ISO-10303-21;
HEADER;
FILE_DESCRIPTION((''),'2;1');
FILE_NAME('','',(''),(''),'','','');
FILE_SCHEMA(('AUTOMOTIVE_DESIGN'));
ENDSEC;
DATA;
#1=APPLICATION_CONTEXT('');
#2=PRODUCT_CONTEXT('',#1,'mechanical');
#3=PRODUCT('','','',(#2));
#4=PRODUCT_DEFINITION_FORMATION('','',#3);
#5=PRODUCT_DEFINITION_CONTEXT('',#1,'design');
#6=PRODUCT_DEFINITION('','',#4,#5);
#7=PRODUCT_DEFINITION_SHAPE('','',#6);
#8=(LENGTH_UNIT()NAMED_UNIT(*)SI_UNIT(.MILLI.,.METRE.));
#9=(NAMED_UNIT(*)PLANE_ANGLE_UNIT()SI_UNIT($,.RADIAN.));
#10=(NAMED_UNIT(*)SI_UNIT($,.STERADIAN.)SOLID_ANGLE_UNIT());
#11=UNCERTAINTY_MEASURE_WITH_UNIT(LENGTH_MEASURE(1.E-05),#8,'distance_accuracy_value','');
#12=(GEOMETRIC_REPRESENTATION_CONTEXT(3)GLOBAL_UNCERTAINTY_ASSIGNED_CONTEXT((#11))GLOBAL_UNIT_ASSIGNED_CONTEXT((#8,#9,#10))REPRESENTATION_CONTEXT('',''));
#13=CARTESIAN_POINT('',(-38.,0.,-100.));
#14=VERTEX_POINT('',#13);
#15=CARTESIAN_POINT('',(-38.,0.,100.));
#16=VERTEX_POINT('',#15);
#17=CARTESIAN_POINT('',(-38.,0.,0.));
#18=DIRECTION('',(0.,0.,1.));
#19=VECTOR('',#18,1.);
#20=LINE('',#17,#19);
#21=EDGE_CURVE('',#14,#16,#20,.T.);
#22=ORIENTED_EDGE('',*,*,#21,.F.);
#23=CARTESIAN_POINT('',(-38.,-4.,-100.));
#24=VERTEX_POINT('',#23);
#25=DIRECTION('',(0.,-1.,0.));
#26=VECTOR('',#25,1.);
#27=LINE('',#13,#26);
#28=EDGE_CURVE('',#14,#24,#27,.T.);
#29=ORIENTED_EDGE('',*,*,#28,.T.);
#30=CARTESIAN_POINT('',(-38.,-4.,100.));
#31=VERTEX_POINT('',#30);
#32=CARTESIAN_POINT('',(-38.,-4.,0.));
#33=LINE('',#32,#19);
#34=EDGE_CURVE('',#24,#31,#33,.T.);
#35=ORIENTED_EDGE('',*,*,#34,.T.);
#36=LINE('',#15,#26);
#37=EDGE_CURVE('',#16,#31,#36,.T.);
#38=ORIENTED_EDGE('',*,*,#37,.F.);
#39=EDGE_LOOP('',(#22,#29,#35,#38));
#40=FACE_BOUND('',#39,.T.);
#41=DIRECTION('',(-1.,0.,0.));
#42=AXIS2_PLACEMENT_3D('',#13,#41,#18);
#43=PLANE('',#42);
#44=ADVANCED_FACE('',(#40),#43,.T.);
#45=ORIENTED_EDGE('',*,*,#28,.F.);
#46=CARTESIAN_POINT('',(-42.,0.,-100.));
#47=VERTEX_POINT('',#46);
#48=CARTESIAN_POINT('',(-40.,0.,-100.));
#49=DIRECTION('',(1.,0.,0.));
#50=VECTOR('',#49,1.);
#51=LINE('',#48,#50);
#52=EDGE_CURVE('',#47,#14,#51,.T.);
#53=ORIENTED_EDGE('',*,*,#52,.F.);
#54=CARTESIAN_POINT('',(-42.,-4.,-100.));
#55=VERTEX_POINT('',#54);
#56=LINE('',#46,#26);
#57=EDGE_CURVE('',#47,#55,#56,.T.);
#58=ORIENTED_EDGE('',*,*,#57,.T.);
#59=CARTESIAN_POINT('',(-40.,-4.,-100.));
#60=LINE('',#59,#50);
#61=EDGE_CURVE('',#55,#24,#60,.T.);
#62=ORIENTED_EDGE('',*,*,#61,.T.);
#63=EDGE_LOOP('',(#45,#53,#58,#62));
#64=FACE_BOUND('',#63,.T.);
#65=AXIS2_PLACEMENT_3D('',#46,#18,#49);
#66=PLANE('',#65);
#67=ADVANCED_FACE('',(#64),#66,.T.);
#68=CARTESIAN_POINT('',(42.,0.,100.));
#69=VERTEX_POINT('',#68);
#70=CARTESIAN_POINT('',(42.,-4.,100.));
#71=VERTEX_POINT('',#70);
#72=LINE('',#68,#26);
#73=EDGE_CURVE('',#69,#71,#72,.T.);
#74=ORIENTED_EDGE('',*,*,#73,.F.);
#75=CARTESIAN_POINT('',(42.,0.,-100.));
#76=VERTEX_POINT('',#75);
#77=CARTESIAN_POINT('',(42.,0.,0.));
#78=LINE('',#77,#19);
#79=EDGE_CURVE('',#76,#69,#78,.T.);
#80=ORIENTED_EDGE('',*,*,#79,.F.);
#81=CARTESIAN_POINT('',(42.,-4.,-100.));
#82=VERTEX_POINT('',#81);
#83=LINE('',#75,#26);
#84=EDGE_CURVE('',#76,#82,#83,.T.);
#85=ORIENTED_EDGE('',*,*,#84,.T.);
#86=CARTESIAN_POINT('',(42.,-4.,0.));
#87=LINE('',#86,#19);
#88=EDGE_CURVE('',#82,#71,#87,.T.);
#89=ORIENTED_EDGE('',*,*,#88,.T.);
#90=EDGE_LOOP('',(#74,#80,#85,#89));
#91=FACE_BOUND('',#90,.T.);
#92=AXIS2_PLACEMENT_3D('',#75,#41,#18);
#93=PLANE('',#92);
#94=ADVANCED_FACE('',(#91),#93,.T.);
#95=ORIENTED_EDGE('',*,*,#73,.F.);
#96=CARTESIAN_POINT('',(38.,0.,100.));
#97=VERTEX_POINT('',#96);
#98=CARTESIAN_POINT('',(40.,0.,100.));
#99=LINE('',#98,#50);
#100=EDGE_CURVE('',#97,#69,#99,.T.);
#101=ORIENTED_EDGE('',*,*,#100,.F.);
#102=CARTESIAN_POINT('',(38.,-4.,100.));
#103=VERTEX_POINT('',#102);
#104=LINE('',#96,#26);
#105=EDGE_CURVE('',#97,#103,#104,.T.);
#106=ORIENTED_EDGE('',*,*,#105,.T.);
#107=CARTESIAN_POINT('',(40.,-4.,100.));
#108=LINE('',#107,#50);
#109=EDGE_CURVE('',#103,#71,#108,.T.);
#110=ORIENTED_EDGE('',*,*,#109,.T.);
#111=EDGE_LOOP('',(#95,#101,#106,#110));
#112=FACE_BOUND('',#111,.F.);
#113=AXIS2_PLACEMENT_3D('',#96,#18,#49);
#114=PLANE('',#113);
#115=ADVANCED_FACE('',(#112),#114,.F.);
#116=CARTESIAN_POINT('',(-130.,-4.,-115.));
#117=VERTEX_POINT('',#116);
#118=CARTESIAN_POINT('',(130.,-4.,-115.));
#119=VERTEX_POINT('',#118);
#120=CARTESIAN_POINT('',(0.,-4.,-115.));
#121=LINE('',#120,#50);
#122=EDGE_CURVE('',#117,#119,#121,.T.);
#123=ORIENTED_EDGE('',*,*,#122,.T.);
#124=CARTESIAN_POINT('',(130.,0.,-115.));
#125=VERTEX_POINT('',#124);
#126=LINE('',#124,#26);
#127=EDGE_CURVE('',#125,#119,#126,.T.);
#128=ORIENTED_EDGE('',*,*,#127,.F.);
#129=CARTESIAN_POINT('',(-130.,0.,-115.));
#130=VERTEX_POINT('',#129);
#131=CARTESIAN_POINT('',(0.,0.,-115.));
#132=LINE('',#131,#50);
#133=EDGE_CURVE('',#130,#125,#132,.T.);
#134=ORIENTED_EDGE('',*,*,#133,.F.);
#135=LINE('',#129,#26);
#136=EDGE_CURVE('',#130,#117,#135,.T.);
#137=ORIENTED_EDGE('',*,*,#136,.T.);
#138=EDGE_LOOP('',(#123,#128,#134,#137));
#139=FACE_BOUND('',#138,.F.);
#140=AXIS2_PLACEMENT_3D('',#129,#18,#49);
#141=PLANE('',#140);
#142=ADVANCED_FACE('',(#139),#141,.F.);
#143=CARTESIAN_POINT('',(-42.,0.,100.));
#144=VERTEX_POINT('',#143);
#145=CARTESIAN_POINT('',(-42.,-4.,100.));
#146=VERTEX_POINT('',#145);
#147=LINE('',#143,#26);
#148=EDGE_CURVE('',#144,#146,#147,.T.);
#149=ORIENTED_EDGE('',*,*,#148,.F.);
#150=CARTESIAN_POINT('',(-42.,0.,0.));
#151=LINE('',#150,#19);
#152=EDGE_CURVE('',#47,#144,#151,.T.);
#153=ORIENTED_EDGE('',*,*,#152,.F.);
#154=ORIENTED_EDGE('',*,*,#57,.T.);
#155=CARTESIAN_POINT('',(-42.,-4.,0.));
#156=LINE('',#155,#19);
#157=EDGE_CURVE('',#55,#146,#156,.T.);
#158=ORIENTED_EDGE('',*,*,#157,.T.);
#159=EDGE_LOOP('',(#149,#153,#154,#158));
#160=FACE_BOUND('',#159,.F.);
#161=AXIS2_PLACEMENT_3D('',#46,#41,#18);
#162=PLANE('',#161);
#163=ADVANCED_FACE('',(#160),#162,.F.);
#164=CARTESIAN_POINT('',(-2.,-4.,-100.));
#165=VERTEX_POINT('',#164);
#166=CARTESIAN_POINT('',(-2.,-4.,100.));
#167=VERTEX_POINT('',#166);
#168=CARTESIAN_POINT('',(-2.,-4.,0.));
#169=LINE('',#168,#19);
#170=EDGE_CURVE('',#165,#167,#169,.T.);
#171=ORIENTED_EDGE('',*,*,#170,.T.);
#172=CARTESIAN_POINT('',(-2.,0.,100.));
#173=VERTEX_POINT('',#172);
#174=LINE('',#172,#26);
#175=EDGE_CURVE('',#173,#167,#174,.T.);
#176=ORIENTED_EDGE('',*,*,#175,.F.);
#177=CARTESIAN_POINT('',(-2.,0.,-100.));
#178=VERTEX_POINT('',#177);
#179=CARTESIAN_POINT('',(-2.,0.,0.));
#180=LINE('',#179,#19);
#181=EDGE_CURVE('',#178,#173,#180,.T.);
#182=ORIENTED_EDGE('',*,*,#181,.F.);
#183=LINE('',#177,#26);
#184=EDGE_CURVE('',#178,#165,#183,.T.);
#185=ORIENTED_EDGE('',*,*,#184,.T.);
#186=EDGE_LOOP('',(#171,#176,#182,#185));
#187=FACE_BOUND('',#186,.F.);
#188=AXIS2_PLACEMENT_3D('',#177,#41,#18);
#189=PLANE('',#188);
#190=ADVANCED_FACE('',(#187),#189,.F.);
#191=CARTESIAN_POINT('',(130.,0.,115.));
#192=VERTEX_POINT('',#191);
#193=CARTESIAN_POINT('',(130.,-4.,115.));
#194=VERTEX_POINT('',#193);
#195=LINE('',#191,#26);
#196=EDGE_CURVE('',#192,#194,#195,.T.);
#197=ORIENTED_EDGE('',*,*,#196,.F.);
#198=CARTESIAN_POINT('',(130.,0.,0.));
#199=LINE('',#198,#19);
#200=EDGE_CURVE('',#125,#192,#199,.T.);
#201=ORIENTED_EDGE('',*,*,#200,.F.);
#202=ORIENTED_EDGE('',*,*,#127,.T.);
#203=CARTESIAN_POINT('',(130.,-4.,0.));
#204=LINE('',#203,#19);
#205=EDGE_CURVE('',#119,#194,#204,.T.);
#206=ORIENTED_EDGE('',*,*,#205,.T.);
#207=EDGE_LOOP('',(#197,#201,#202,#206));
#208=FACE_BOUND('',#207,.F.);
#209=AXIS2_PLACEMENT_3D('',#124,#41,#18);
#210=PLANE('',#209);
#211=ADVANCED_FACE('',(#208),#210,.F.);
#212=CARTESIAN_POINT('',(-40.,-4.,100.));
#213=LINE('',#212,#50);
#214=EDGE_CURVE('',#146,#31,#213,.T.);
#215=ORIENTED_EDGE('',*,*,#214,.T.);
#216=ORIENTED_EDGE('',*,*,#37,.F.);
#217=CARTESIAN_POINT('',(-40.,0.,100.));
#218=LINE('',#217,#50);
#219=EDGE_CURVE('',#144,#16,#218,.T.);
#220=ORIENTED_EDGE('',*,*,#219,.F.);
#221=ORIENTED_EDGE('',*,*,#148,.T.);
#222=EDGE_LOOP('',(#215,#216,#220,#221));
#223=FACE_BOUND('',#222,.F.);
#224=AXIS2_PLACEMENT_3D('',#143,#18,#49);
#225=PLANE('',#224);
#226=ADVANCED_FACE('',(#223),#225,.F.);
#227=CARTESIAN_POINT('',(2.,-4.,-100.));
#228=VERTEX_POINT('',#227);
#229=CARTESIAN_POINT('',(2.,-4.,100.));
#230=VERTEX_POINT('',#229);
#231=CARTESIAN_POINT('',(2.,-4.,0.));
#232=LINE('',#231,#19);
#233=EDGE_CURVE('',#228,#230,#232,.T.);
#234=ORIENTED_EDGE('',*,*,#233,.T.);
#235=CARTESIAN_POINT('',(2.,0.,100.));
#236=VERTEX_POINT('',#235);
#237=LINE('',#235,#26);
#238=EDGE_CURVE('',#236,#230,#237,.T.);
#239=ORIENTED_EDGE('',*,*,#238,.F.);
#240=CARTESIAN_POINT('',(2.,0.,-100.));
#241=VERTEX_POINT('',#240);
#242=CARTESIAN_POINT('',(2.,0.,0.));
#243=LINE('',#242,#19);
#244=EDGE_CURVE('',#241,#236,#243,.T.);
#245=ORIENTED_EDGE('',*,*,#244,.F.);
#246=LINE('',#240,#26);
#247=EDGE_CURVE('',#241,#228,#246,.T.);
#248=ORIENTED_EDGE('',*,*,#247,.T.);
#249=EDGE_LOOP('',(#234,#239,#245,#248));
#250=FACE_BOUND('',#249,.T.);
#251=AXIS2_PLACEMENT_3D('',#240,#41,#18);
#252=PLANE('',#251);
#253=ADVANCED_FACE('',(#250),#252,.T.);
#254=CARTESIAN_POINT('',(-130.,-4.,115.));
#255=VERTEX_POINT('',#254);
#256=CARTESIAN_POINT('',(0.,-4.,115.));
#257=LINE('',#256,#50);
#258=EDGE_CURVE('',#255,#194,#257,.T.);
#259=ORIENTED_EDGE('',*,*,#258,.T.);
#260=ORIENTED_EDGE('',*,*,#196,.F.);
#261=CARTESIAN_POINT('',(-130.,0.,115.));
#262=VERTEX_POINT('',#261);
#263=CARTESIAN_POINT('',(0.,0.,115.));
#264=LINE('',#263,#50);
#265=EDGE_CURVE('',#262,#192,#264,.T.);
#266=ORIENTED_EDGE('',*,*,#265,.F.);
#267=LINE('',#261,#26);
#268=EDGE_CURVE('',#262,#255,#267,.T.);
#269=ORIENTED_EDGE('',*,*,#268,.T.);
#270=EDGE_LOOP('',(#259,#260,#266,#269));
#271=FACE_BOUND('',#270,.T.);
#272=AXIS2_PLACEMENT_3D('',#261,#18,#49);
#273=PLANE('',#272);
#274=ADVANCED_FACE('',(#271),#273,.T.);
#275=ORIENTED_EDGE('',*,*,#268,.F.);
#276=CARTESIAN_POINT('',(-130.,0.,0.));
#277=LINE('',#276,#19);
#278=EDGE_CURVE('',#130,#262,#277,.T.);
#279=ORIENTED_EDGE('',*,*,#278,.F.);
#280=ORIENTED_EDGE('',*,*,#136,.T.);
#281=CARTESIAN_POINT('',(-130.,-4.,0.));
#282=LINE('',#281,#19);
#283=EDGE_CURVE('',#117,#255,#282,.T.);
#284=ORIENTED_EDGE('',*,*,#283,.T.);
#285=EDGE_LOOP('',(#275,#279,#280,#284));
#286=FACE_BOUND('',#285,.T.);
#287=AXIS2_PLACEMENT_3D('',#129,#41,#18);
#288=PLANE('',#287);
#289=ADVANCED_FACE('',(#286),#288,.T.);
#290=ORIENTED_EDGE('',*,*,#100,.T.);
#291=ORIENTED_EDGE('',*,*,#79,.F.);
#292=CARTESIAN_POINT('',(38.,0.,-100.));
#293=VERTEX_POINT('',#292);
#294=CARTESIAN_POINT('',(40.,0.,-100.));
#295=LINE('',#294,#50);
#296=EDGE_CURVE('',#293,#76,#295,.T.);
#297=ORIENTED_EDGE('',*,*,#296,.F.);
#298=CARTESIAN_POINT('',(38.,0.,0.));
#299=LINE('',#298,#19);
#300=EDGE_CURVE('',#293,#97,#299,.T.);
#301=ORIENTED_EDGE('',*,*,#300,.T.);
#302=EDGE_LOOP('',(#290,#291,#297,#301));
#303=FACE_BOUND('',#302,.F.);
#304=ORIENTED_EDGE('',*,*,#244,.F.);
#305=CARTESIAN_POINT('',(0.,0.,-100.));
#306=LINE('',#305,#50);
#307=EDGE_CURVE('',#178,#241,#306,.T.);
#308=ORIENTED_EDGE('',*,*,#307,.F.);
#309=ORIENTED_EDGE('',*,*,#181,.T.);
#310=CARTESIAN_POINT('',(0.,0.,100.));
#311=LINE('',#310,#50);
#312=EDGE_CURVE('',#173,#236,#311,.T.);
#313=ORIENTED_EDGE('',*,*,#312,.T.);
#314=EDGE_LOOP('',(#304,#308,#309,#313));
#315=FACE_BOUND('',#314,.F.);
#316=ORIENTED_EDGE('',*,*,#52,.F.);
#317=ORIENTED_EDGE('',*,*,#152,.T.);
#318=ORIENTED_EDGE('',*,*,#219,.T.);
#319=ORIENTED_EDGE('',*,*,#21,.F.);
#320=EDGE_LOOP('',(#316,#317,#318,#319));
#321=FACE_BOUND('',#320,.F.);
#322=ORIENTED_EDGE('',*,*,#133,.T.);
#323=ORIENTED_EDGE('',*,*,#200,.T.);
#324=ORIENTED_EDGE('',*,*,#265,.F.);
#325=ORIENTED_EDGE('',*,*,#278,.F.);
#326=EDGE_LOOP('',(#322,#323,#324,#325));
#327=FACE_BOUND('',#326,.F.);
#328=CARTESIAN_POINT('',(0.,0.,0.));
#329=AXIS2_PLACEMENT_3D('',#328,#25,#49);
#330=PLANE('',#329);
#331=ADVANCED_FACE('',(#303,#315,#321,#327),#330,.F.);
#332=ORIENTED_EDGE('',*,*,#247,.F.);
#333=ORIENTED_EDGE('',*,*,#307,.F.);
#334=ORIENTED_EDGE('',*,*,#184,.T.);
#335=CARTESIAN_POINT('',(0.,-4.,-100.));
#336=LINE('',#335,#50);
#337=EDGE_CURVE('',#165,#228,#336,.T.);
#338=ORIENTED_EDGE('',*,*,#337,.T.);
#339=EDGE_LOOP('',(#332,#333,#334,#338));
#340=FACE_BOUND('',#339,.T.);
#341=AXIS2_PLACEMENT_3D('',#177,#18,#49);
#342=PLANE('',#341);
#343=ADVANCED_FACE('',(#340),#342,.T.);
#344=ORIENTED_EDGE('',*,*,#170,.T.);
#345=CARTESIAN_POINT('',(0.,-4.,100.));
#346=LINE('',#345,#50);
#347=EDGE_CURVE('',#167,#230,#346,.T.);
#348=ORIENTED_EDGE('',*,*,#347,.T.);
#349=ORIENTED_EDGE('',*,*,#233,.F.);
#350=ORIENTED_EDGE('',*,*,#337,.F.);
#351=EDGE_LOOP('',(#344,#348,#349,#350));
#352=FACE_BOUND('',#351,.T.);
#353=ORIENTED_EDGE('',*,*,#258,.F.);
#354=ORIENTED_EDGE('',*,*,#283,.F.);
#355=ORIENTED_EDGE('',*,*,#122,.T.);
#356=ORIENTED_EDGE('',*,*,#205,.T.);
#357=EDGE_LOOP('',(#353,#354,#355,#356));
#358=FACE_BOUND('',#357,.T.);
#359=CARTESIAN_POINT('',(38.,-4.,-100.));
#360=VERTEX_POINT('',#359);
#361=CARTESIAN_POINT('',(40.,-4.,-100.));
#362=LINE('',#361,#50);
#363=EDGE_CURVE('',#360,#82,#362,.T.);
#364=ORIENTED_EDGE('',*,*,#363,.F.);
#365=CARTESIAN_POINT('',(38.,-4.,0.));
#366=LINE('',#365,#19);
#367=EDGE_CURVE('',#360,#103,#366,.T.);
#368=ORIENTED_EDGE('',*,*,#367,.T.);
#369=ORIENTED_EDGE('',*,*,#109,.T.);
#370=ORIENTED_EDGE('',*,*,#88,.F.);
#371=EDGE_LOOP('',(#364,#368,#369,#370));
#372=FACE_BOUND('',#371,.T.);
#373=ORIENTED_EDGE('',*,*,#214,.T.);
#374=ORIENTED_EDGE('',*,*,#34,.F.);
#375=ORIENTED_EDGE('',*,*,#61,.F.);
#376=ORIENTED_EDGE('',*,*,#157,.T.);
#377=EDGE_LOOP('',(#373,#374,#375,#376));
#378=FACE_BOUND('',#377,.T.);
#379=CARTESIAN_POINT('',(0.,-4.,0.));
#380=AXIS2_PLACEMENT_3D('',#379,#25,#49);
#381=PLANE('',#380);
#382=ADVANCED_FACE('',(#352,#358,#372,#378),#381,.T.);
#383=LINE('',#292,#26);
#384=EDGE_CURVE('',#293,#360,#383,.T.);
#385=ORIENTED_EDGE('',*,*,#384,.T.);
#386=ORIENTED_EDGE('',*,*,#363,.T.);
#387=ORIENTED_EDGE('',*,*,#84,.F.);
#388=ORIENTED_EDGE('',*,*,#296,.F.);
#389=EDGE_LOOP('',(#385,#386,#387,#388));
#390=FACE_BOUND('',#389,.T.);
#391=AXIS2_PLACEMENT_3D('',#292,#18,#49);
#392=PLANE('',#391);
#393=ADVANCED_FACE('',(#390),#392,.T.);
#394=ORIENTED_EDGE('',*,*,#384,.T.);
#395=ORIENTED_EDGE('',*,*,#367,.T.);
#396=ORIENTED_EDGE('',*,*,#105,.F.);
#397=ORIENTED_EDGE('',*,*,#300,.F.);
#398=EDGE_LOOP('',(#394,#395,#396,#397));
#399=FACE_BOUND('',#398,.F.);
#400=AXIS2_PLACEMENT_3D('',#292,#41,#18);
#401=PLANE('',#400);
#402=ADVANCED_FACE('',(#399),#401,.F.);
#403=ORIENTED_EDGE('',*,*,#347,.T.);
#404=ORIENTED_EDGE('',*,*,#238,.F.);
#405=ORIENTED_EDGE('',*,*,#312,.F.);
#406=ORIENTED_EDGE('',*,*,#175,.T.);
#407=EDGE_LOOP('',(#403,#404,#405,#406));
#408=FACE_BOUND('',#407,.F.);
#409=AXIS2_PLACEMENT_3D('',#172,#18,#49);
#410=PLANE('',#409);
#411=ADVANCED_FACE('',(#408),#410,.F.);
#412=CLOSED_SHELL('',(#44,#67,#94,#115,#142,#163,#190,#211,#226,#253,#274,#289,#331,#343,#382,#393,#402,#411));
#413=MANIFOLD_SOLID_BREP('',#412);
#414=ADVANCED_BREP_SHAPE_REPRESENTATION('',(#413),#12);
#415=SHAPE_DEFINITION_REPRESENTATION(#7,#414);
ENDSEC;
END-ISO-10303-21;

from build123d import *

# Parameters (mm, degrees)
F0_W     = 260
F0_H     = 230
F0_W_2   = 4
F0_H_2   = 200
F1_DEPTH = 4


with BuildPart() as f1:
    # F0 (on Front) → F1 (new body)
    with BuildSketch(Plane.XZ):
        Rectangle(F0_W, F0_H)
        with Locations((-40, 0)):
            Rectangle(F0_W_2, F0_H_2, mode=Mode.SUBTRACT)
        Rectangle(F0_W_2, F0_H_2, mode=Mode.SUBTRACT)
        with Locations((40, 0)):
            Rectangle(F0_W_2, F0_H_2, mode=Mode.SUBTRACT)
    extrude(amount=F1_DEPTH)


solid = f1.part
